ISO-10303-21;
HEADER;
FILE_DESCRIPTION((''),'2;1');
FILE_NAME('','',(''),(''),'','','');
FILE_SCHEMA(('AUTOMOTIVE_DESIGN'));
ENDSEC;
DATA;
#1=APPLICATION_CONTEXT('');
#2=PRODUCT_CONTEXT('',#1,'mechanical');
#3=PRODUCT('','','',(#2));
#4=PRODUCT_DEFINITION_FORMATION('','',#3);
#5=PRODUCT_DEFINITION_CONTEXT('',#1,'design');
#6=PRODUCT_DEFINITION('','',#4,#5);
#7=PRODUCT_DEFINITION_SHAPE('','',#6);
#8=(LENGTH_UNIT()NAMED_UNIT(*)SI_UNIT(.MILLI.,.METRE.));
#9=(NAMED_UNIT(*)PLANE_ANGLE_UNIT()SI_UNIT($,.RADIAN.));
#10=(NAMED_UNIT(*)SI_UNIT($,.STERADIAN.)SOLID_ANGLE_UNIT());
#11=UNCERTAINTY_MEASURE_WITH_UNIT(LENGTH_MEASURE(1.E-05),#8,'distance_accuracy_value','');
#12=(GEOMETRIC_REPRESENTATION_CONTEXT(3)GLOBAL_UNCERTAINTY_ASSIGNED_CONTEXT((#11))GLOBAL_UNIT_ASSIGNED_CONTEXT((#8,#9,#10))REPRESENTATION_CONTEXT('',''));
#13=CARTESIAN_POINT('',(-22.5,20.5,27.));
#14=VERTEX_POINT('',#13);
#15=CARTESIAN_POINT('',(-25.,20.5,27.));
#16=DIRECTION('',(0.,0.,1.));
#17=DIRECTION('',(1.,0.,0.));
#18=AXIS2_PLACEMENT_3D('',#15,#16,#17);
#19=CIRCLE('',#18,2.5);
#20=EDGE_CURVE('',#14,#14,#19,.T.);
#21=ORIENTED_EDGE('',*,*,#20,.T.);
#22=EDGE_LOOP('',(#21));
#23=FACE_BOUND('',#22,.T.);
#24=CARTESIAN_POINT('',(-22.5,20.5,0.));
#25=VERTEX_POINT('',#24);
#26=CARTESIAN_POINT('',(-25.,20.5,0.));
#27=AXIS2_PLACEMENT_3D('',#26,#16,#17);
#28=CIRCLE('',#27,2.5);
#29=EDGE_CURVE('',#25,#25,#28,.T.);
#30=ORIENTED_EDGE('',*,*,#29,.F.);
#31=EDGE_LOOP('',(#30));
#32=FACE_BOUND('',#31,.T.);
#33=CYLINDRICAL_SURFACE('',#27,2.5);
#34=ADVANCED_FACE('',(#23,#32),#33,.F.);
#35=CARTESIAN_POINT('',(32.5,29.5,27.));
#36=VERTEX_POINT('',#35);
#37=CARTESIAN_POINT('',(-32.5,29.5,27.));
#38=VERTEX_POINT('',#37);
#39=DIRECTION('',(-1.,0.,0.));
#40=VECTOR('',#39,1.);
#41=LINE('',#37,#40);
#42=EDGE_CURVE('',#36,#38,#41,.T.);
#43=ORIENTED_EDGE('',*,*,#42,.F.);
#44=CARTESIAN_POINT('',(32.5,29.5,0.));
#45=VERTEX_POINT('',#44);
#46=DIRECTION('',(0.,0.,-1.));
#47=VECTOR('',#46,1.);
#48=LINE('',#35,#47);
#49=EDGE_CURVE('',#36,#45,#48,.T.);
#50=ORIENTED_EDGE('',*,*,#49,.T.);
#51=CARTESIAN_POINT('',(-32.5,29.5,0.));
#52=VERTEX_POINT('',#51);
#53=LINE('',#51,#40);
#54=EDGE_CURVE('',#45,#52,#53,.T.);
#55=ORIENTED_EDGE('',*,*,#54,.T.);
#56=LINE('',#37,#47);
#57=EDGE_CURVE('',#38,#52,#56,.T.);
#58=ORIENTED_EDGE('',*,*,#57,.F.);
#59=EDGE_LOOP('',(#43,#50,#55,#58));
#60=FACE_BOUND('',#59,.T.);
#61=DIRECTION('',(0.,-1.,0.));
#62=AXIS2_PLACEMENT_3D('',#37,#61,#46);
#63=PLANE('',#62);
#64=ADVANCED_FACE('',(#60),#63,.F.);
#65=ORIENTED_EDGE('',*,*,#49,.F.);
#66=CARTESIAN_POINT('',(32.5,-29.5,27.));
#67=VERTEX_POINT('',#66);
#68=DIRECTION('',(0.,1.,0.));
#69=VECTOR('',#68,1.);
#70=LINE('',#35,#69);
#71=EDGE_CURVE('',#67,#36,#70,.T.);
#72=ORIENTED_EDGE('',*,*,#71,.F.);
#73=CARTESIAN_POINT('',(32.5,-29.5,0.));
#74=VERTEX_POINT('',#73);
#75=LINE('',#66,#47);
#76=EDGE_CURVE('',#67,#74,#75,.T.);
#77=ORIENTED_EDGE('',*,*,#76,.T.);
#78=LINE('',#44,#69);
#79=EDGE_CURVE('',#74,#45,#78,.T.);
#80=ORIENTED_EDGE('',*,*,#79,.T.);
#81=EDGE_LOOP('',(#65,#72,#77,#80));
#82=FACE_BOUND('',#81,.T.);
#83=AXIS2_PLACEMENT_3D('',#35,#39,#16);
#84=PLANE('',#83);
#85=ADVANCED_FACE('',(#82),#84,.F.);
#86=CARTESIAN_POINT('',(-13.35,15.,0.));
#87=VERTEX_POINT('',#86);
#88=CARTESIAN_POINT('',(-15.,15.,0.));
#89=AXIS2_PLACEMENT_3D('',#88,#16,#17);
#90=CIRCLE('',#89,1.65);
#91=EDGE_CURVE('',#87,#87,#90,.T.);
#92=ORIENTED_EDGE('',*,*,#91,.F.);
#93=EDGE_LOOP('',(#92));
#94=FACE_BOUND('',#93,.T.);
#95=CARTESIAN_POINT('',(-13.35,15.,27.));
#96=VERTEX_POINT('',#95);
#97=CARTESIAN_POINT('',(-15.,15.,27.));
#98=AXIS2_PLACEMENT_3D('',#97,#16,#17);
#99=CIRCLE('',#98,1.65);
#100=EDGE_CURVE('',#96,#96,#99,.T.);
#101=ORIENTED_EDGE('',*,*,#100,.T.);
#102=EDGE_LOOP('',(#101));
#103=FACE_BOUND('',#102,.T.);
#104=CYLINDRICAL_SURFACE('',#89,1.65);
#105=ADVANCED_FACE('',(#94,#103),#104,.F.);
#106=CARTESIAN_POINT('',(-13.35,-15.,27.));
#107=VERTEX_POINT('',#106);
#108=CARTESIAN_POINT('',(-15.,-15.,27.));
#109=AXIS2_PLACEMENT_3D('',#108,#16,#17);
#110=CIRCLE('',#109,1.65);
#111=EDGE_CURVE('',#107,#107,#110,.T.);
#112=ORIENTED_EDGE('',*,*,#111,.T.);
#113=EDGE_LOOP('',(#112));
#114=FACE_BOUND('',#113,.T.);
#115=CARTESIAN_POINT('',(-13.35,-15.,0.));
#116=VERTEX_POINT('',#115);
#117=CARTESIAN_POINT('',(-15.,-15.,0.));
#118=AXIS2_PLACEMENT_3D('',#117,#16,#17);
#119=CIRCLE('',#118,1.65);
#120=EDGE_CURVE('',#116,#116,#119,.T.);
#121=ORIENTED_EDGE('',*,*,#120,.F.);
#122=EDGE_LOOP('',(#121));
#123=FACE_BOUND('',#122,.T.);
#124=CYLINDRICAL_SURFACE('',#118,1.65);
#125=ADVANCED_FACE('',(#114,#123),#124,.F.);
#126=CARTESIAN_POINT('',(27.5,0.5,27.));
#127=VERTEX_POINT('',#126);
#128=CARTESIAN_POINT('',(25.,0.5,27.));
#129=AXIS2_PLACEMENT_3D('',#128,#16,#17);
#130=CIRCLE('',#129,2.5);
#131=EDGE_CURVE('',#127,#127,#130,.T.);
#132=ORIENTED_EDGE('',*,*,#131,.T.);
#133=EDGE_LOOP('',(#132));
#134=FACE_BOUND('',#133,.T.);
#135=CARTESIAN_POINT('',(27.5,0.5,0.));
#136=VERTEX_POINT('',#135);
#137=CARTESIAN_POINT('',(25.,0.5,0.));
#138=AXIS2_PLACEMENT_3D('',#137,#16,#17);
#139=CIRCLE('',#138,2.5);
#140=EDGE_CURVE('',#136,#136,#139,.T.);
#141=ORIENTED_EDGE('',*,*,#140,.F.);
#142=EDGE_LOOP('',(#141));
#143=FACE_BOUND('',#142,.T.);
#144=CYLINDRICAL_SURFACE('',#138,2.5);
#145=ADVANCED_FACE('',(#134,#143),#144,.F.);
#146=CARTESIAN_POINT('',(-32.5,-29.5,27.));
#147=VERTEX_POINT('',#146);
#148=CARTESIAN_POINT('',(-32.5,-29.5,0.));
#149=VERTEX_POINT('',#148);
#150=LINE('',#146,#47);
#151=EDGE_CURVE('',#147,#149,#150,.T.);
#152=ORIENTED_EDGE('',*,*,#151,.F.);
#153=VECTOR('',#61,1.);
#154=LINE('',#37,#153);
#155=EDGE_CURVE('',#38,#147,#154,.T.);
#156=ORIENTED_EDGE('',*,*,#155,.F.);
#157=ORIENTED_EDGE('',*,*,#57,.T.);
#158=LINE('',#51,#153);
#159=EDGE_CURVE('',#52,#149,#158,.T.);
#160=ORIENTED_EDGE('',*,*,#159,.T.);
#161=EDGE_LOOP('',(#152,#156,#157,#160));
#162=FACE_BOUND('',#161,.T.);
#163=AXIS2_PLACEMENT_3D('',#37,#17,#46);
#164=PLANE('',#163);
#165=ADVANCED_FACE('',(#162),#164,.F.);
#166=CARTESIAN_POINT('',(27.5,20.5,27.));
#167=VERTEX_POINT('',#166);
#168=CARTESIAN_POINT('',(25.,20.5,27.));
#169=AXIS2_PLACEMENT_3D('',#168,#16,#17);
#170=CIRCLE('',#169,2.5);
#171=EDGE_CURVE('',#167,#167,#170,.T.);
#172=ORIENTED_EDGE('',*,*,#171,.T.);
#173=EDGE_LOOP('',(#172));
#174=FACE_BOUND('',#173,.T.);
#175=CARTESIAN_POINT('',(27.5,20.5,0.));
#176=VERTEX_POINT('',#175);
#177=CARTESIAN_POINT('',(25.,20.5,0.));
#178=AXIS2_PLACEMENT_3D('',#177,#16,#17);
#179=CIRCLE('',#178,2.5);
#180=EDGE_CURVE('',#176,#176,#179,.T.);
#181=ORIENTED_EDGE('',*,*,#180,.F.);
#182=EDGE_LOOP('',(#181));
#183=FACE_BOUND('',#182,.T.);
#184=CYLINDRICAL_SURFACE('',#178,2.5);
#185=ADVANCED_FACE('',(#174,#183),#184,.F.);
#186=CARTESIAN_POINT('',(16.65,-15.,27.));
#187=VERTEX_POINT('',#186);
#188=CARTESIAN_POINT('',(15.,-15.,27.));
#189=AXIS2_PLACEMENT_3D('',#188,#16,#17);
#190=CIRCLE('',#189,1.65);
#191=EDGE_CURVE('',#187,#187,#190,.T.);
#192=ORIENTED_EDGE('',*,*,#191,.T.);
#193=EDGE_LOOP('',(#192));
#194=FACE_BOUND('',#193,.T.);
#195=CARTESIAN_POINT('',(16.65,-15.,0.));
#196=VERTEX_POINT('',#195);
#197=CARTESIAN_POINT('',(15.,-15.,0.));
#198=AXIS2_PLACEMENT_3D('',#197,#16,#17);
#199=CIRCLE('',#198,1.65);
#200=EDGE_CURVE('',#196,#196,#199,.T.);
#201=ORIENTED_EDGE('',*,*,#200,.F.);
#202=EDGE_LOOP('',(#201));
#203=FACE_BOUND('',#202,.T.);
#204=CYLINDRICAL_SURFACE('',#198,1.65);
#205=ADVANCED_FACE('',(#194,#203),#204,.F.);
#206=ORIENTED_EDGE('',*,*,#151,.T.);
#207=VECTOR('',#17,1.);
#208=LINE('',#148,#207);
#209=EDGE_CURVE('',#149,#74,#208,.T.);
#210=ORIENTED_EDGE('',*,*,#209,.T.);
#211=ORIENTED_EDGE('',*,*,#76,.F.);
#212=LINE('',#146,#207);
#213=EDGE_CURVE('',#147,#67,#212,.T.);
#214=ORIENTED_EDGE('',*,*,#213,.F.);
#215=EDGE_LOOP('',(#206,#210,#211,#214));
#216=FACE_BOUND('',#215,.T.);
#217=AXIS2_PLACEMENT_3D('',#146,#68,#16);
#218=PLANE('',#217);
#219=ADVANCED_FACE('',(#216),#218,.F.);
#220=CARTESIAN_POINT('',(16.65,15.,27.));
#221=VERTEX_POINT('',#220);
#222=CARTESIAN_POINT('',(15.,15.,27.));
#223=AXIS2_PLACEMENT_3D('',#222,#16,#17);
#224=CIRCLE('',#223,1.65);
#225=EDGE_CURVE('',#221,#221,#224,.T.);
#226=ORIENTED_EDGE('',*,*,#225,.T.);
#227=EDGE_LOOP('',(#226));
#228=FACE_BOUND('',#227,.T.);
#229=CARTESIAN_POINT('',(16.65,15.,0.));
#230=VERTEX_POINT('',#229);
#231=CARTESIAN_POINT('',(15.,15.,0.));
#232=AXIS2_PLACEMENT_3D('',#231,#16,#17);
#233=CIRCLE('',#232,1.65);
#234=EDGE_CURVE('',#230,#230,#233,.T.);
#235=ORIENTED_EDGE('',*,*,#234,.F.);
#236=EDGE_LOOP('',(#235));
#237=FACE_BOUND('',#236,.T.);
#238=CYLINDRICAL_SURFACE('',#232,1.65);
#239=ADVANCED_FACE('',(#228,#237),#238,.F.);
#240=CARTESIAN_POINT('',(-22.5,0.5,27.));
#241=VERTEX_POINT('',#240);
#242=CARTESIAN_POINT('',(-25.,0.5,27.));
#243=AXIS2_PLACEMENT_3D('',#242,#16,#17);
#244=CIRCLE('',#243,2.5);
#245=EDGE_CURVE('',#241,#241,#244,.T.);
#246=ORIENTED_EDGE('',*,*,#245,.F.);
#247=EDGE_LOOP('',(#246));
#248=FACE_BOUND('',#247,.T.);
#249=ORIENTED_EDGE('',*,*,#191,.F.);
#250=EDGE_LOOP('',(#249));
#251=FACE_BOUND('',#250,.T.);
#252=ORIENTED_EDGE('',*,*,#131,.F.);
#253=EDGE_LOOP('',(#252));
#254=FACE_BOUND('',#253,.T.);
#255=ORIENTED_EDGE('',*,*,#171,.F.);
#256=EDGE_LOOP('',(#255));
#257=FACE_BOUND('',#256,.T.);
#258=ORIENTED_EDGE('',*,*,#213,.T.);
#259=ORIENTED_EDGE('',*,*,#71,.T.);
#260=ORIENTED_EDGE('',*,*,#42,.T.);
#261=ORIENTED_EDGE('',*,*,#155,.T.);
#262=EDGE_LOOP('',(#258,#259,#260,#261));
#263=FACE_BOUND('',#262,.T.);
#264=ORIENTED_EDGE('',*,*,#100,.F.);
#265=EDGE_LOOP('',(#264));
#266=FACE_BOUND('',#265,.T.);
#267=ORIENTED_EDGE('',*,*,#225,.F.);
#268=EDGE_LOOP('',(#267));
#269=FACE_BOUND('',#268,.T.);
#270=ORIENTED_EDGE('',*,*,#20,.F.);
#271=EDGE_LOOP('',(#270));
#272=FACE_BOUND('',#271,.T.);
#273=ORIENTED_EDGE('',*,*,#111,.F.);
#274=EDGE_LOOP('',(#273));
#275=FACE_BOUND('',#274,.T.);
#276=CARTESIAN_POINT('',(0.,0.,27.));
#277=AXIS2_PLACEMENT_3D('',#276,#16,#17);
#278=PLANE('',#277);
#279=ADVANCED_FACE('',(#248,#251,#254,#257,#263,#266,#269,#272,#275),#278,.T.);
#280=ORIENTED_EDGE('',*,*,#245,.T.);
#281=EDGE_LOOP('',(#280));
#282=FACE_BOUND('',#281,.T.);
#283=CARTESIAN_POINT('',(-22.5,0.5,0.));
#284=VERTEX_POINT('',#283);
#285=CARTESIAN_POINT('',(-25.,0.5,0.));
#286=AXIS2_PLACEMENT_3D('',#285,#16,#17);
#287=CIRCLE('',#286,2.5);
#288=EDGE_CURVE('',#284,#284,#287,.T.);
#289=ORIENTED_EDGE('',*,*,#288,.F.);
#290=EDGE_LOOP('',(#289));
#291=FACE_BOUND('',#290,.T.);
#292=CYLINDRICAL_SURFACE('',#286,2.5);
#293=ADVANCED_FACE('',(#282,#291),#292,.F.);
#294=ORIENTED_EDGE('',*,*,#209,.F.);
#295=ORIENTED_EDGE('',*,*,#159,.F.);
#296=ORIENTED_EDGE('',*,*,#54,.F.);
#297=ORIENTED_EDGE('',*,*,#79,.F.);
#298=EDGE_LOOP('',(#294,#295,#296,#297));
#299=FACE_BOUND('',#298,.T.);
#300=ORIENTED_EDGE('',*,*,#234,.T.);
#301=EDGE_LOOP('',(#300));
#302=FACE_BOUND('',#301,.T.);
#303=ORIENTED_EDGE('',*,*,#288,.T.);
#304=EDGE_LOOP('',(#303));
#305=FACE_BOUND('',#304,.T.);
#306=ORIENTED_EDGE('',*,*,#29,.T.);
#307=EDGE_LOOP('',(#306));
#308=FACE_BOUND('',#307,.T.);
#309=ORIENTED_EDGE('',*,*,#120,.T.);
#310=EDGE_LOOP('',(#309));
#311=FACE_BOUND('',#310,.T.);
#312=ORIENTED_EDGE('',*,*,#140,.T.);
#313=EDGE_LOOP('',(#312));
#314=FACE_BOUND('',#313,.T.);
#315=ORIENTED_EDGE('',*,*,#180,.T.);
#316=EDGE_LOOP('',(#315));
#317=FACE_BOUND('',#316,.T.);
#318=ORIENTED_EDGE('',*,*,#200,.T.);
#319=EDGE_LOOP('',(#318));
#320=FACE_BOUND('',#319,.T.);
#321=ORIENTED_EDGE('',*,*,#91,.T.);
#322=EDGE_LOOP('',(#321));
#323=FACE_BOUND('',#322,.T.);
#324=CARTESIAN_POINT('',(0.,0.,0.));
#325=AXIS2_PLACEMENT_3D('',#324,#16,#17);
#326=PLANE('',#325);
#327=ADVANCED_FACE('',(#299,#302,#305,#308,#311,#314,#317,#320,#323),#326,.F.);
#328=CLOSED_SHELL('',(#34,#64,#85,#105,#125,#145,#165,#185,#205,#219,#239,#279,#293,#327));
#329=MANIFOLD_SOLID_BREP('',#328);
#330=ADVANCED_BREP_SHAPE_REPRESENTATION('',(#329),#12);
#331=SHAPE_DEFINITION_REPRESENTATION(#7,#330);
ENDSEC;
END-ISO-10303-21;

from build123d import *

# Parameters (mm, degrees)
SKETCH_1_W                  = 65
SKETCH_1_H                  = 59
EXTRUDE_1_DEPTH             = 27
SKETCH_2_R                  = 2.5
CUT_EXTRUDE_1_DEPTH         = 27
PATTERN_LINEAR_1_COUNT      = 2
PATTERN_LINEAR_1_PITCH      = 50
PATTERN_LINEAR_1_COUNT_DIR2 = 2
PATTERN_LINEAR_1_PITCH_DIR2 = 20
SKETCH_3_R                  = 1.65
CUT_EXTRUDE_2_DEPTH         = 27
PATTERN_LINEAR_2_COUNT      = 2
PATTERN_LINEAR_2_PITCH      = 30
PATTERN_LINEAR_2_COUNT_DIR2 = 2
PATTERN_LINEAR_2_PITCH_DIR2 = 30


with BuildPart() as part:
    # Эскиз1 → Бобышка-Вытянуть1 (new body)
    with BuildSketch(Plane.XY):
        Rectangle(SKETCH_1_W, SKETCH_1_H)
    extrude(amount=EXTRUDE_1_DEPTH)

    # Эскиз2 → Вырез-Вытянуть1 (cut)
    with BuildSketch(Plane.XY.offset(27)):
        with Locations((-25, 20.5)):
            Circle(SKETCH_2_R)
    cut_extrude_1 = extrude(amount=-CUT_EXTRUDE_1_DEPTH, mode=Mode.SUBTRACT)

    # Линейный массив1: Cut-Extrude 1 2 × 2
    with Locations(*[(i * PATTERN_LINEAR_1_PITCH, -j * PATTERN_LINEAR_1_PITCH_DIR2, 0) for i in range(PATTERN_LINEAR_1_COUNT) for j in range(PATTERN_LINEAR_1_COUNT_DIR2) if (i, j) != (0, 0)]):
        add(cut_extrude_1, mode=Mode.SUBTRACT)

    # Эскиз3 → Вырез-Вытянуть2 (cut)
    with BuildSketch(Plane.XY.offset(27)):
        with Locations((-15, 15)):
            Circle(SKETCH_3_R)
    cut_extrude_2 = extrude(amount=-CUT_EXTRUDE_2_DEPTH, mode=Mode.SUBTRACT)

    # Линейный массив2: Cut-Extrude 2 2 × 2
    with Locations(*[(i * PATTERN_LINEAR_2_PITCH, -j * PATTERN_LINEAR_2_PITCH_DIR2, 0) for i in range(PATTERN_LINEAR_2_COUNT) for j in range(PATTERN_LINEAR_2_COUNT_DIR2) if (i, j) != (0, 0)]):
        add(cut_extrude_2, mode=Mode.SUBTRACT)


solid = part.part
